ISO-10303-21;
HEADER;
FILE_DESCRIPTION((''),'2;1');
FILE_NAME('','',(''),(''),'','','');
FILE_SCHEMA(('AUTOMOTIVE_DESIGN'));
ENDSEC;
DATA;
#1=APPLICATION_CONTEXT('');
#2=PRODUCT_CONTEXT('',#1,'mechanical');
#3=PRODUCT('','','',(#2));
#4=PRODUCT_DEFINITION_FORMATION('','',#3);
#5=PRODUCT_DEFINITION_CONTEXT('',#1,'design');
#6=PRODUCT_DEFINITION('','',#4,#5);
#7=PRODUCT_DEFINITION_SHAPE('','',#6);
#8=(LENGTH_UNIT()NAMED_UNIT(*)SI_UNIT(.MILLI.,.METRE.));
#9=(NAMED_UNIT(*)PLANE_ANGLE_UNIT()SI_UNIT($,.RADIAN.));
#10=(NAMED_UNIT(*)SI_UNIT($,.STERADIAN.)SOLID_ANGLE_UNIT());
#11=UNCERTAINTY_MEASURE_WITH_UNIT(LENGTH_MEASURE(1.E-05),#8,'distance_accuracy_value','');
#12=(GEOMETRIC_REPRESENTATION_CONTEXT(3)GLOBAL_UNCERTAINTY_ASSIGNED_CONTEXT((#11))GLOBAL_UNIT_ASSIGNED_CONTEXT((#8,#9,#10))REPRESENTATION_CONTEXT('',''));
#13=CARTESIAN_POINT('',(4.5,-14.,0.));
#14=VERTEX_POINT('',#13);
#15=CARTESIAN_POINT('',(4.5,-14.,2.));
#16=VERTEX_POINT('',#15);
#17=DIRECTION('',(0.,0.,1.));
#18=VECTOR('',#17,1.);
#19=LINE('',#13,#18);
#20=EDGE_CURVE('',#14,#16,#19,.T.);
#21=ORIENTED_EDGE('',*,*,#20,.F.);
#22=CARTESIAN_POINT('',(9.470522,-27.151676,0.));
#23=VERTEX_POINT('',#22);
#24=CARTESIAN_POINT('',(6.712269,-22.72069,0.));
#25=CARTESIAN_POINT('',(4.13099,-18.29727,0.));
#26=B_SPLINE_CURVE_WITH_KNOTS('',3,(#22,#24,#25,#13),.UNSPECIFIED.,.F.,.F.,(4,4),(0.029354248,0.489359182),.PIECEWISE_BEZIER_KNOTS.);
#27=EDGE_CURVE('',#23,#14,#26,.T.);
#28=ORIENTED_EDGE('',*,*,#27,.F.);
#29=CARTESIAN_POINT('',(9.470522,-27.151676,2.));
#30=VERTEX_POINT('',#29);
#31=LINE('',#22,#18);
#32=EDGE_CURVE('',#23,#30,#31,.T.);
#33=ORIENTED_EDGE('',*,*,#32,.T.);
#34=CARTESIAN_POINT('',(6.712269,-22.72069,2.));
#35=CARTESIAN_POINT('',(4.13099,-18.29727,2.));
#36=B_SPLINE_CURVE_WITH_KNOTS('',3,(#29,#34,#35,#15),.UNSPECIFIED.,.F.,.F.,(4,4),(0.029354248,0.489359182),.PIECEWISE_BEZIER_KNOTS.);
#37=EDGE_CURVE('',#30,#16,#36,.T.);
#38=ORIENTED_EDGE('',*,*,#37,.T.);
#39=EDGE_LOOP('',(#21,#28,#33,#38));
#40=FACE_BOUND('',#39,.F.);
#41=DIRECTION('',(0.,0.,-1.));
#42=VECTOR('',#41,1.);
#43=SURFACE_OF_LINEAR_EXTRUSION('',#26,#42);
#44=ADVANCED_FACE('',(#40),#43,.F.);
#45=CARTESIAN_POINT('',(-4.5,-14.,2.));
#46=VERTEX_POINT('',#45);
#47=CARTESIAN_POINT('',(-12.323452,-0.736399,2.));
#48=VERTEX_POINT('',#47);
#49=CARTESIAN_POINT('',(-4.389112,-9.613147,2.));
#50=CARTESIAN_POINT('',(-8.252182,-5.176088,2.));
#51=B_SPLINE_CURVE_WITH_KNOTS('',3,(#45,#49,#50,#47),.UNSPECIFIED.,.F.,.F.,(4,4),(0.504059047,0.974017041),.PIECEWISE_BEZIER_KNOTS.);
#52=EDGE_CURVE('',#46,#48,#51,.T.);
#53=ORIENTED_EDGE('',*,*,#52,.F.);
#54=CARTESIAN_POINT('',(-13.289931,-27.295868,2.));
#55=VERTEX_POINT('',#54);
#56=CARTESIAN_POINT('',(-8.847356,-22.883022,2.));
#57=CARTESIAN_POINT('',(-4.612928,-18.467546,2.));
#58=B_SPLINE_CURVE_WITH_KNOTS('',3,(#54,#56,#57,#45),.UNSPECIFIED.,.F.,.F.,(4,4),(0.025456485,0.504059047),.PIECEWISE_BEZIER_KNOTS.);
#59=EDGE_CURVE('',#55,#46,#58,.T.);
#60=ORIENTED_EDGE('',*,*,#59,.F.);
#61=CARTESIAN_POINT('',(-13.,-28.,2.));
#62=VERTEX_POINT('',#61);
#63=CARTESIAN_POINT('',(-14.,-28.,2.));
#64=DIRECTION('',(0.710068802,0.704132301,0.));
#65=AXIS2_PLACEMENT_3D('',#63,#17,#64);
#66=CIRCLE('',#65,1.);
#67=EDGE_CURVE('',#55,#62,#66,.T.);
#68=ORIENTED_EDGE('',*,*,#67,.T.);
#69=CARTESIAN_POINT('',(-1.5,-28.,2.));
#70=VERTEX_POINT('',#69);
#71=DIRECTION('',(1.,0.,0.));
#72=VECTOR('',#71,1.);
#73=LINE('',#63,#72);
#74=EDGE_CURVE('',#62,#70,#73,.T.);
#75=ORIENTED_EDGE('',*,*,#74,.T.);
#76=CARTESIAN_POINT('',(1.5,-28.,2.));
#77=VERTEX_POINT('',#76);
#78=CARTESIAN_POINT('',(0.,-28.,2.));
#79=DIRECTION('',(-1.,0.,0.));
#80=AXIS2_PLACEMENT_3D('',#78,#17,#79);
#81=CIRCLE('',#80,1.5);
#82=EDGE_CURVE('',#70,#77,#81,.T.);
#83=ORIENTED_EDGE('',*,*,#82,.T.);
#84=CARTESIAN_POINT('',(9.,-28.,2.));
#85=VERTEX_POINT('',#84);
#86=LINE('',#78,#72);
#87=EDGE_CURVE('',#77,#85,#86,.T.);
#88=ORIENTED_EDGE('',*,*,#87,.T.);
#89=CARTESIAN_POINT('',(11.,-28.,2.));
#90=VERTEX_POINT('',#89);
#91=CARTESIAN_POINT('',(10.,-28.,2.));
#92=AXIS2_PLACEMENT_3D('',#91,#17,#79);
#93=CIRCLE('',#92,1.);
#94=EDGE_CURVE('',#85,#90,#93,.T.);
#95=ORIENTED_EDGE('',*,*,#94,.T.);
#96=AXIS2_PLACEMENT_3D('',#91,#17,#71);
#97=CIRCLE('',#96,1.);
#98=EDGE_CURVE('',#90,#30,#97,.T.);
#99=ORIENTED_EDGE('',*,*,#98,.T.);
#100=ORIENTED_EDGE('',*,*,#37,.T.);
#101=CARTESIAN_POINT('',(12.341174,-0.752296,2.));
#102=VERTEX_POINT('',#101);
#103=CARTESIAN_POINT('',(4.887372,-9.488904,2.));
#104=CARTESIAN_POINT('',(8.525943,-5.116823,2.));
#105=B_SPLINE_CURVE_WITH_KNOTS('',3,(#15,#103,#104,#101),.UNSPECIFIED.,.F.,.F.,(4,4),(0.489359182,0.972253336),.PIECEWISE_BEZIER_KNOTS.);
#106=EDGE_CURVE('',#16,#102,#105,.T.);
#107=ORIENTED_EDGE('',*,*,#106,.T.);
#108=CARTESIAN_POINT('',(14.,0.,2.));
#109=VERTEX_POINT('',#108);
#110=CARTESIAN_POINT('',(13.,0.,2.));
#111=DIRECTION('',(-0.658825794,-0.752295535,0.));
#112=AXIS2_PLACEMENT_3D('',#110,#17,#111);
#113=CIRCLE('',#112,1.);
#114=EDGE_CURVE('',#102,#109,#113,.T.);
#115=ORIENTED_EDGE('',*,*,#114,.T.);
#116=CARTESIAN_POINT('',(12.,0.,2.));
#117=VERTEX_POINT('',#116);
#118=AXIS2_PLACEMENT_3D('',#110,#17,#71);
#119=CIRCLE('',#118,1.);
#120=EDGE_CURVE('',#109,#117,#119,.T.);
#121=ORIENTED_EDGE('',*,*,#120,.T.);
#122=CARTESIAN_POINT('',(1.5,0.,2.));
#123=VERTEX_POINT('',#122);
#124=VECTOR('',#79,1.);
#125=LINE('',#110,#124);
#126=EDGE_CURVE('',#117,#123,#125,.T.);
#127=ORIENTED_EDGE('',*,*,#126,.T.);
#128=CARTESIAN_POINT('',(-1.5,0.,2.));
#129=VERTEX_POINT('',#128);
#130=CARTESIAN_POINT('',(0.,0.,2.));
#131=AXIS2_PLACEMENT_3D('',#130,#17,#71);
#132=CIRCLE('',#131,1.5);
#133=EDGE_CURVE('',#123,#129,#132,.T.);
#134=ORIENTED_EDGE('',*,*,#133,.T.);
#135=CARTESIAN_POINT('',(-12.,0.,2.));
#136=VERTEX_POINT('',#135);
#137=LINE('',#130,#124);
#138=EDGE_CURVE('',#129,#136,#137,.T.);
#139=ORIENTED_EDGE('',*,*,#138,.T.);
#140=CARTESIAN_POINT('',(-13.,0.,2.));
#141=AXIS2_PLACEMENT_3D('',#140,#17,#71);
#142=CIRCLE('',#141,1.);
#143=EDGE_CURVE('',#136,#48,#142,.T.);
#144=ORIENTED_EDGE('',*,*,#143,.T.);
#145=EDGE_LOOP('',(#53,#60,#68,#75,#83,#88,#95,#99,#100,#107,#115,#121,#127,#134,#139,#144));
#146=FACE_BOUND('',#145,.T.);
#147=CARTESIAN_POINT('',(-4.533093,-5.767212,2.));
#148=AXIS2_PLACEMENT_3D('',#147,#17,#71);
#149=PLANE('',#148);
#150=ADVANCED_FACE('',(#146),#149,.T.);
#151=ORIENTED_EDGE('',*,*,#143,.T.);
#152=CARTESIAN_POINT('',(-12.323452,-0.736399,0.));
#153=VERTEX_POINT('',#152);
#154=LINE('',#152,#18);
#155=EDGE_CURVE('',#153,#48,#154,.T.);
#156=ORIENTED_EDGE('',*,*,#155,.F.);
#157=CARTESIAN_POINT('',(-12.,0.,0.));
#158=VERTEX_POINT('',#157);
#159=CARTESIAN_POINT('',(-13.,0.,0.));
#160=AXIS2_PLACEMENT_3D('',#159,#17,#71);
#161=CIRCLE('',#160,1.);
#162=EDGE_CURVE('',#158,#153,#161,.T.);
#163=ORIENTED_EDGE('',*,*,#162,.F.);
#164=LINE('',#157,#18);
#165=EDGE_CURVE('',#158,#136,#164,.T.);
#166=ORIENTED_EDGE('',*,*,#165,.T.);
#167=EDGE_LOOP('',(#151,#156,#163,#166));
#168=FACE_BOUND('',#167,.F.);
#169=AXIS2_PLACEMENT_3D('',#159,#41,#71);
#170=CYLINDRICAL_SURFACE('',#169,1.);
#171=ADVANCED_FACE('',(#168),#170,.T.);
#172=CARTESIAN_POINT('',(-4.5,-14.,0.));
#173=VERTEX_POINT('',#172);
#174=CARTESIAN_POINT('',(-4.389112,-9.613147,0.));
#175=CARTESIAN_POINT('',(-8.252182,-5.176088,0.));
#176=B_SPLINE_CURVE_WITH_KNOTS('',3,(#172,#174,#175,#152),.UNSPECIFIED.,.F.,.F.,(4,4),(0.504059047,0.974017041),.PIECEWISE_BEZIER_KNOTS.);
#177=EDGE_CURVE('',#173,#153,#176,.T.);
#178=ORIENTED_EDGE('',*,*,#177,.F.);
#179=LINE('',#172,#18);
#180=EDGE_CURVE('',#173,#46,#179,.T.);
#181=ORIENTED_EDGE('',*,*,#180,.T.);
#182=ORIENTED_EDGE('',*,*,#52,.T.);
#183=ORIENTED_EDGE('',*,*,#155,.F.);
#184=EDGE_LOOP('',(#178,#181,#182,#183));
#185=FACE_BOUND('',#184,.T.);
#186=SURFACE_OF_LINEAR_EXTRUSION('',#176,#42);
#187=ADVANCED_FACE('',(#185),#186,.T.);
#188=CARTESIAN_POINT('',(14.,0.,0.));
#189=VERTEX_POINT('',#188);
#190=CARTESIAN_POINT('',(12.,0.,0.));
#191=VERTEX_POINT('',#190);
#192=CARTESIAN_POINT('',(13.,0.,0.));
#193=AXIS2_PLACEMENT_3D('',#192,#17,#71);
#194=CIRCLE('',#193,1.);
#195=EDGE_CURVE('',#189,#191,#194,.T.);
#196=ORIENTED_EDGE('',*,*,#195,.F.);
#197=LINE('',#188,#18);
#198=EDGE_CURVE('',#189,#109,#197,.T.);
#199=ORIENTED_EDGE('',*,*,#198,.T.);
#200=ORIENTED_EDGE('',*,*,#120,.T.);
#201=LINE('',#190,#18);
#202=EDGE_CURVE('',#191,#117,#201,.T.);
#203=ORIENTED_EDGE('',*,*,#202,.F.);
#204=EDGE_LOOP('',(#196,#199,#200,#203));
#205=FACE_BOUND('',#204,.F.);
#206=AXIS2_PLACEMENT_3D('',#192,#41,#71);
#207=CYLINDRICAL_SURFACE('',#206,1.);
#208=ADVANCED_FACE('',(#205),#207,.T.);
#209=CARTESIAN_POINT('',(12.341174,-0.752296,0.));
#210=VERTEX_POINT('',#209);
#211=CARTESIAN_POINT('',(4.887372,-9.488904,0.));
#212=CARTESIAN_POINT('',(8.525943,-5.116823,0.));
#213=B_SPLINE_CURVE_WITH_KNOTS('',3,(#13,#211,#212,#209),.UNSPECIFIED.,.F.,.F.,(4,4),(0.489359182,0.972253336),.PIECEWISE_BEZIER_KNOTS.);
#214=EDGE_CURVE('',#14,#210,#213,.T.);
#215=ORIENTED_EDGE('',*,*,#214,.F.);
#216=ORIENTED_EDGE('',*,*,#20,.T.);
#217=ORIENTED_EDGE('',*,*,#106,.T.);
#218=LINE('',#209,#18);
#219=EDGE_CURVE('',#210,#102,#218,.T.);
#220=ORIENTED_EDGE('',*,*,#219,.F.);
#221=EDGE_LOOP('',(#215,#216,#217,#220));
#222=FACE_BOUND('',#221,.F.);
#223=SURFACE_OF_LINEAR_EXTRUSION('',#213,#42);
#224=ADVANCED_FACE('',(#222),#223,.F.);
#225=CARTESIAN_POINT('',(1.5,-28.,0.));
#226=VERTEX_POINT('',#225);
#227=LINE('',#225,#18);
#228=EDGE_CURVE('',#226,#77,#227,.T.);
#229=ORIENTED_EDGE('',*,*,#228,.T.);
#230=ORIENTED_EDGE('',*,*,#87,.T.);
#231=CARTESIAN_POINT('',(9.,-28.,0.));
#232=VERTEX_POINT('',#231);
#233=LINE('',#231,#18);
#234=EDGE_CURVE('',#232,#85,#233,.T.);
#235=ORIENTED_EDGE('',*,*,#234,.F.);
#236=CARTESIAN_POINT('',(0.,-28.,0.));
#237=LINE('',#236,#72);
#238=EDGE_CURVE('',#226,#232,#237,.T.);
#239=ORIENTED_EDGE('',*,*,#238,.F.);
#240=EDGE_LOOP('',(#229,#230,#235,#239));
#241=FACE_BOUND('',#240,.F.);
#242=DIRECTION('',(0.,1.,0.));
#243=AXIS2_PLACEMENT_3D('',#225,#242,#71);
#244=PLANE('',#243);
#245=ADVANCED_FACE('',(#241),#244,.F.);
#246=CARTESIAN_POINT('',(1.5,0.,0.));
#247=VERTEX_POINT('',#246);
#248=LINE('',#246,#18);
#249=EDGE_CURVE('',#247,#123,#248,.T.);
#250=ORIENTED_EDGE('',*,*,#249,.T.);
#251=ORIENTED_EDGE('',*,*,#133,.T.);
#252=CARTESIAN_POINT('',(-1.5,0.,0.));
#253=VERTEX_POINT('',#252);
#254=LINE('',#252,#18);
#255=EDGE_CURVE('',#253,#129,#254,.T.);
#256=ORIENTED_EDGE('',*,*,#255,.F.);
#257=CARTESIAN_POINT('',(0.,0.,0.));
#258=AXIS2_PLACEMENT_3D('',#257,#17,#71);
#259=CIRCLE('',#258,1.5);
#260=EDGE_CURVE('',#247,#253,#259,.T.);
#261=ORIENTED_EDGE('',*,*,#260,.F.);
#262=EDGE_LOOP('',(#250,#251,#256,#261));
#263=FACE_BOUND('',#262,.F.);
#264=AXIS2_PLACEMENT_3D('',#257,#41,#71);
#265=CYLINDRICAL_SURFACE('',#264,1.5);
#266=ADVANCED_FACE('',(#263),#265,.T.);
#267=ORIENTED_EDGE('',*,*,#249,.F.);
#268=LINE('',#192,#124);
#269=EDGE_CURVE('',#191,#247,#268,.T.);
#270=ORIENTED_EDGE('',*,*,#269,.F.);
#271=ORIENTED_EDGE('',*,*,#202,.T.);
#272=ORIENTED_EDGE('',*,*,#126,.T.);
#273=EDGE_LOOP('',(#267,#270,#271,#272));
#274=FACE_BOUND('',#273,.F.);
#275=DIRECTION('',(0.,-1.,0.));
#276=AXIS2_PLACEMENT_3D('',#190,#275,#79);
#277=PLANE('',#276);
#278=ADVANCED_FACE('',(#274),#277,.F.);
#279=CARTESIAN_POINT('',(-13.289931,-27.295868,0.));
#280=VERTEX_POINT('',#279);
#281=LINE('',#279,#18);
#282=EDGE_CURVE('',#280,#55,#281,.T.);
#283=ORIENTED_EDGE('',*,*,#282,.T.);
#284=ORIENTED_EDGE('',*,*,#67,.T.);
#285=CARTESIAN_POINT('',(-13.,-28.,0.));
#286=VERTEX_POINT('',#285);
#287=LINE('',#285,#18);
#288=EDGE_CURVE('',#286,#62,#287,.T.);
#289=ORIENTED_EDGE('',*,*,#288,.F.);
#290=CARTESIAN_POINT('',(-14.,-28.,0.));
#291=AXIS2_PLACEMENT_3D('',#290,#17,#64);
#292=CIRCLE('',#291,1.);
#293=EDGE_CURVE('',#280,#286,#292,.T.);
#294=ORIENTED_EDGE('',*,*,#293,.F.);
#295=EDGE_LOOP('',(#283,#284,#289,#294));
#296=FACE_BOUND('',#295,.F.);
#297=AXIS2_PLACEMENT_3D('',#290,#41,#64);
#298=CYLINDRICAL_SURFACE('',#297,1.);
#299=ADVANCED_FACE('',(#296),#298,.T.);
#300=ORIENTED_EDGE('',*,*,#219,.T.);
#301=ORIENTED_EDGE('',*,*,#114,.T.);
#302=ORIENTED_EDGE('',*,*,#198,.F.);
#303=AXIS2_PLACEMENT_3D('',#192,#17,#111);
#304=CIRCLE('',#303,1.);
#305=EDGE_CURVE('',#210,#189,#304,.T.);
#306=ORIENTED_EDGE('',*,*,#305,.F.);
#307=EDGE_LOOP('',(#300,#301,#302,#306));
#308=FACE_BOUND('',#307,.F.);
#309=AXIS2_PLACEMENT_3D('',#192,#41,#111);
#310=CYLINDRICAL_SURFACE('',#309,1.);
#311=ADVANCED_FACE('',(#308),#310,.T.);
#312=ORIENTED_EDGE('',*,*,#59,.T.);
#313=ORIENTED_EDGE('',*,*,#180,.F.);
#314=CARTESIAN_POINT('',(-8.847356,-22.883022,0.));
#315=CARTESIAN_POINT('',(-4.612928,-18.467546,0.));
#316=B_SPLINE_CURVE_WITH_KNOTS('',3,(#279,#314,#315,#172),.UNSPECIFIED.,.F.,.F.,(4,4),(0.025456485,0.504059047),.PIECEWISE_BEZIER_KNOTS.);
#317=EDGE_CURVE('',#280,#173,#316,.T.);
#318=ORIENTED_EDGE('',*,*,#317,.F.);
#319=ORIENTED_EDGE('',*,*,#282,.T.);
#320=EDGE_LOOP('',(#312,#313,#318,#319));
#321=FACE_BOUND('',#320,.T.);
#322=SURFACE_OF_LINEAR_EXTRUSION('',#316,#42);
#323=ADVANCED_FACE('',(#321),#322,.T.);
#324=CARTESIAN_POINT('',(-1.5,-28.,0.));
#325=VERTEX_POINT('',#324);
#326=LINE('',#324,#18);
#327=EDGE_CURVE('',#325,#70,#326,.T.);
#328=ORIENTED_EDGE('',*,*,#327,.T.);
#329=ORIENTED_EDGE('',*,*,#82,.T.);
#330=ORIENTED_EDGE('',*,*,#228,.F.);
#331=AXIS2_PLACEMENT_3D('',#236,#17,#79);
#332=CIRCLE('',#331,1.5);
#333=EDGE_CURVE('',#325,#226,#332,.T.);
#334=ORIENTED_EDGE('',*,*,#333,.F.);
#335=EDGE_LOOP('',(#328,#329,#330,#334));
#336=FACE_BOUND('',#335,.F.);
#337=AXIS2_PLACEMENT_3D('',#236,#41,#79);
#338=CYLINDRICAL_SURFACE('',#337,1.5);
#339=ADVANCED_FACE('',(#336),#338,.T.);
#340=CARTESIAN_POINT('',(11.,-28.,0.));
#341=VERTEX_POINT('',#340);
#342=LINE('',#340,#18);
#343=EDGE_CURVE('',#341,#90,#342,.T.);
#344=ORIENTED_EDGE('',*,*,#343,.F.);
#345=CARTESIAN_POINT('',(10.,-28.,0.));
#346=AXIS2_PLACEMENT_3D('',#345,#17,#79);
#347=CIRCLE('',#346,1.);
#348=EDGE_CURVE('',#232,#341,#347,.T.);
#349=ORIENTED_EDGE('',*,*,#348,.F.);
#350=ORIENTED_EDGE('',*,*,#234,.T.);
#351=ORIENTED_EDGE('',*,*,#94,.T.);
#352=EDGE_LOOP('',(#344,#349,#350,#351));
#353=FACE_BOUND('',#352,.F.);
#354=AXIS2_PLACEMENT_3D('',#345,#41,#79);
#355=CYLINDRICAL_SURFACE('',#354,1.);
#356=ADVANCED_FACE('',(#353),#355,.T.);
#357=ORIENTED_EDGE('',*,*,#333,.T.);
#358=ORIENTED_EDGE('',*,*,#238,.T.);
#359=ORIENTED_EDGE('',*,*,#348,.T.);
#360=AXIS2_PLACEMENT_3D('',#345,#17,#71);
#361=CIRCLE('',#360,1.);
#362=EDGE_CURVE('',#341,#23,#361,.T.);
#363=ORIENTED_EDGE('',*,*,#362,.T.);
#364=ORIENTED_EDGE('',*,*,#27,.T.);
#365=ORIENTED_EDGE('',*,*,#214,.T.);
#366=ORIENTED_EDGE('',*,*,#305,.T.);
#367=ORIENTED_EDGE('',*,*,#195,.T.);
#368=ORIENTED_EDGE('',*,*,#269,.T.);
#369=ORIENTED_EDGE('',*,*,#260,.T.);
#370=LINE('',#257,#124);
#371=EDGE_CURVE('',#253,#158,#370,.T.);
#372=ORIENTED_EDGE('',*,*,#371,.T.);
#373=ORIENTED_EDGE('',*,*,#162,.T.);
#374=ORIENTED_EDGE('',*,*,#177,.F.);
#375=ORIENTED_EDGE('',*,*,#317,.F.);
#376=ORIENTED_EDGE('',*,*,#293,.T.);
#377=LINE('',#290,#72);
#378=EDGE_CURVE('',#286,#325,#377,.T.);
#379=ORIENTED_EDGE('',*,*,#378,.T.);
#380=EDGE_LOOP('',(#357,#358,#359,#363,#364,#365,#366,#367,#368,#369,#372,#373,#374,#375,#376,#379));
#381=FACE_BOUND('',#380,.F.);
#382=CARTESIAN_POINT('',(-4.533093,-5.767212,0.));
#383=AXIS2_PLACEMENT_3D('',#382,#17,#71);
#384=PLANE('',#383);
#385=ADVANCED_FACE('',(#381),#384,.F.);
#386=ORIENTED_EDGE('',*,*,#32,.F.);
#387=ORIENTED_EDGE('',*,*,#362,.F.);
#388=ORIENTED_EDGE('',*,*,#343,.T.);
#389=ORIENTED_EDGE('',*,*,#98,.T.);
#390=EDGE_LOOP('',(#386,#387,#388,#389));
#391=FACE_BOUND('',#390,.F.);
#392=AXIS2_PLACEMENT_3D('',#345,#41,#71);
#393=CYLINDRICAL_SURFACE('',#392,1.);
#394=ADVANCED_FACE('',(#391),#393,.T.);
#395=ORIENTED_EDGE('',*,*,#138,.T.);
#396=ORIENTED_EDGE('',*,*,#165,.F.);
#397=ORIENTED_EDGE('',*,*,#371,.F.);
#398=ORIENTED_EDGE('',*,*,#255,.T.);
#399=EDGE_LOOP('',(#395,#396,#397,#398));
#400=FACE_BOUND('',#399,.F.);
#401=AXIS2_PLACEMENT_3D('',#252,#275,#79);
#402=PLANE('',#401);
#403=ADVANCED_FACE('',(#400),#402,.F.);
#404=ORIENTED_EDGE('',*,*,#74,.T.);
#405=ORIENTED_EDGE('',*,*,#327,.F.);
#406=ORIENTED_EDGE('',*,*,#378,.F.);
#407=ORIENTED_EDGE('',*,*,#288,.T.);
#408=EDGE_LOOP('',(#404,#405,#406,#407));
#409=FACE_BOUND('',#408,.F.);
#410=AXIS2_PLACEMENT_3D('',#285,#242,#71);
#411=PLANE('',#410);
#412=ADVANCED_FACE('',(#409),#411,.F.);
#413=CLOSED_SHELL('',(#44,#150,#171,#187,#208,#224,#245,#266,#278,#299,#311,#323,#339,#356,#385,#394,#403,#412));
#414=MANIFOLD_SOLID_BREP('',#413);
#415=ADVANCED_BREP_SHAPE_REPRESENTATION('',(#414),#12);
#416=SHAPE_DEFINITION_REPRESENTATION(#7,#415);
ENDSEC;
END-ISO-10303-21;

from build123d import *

# Parameters (mm, degrees)
F1_DEPTH = 2


with BuildPart() as f1:
    # F0 (on Top) → F1 (new body)
    with BuildSketch(Plane.XY):
        with BuildLine():
            Line((-1.5, 0), (-12, 0))
            ThreePointArc((-12, 0), (-12.0844269539, -0.4021517092), (-12.3234519944, -0.7363985308))
            add(Edge.make_bspline(
                [(-4.5, -14), (-4.3891116577, -9.6131472112), (-8.2521815349, -5.1760880577), (-12.3234519944, -0.7363985308)],
                knots=[0.5040590467, 0.5040590467, 0.5040590467, 0.5040590467, 0.9740170405, 0.9740170405, 0.9740170405, 0.9740170405], degree=3))
            Line((-4.5, -14), (0, -14))
            Line((0, -14), (0, 0))
            Line((0, 0), (-1.5, 0))
        make_face()
        with BuildLine():
            add(Edge.make_bspline(
                [(-12.3234519944, -0.7363985308), (-12.548543719, -0.4909377141), (-12.7742718595, -0.2454688571), (-13, 0)],
                knots=[0.9740170405, 0.9740170405, 0.9740170405, 0.9740170405, 1, 1, 1, 1], degree=3))
            Line((-13, 0), (-12, 0))
            ThreePointArc((-12, 0), (-13.9155730461, 0.4021517092), (-12.3234519944, -0.7363985308))
        make_face()
        with BuildLine():
            Line((-12, 0), (-13, 0))
            add(Edge.make_bspline(
                [(-12.3234519944, -0.7363985308), (-12.548543719, -0.4909377141), (-12.7742718595, -0.2454688571), (-13, 0)],
                knots=[0.9740170405, 0.9740170405, 0.9740170405, 0.9740170405, 1, 1, 1, 1], degree=3))
            ThreePointArc((-12.3234519944, -0.7363985308), (-12.0844269539, -0.4021517092), (-12, 0))
        make_face()
        with BuildLine():
            ThreePointArc((1.5, 0), (0, 1.5), (-1.5, 0))
            Line((-1.5, 0), (0, 0))
            Line((0, 0), (1.5, 0))
        make_face()
        with BuildLine():
            Line((1.5, 0), (0, 0))
            Line((0, 0), (0, -14))
            Line((0, -14), (4.5, -14))
            add(Edge.make_bspline(
                [(4.5, -14), (4.8873717131, -9.4889035195), (8.5259428322, -5.1168226845), (12.3411742057, -0.7522955355)],
                knots=[0.4893591819, 0.4893591819, 0.4893591819, 0.4893591819, 0.9722533362, 0.9722533362, 0.9722533362, 0.9722533362], degree=3))
            ThreePointArc((12.3411742057, -0.7522955355), (12.0892789136, -0.4130219157), (12, 0))
            Line((12, 0), (1.5, 0))
        make_face()
        with BuildLine():
            Line((13, 0), (12, 0))
            ThreePointArc((12, 0), (12.0892789136, -0.4130219157), (12.3411742057, -0.7522955355))
            add(Edge.make_bspline(
                [(12.3411742057, -0.7522955355), (12.5603939689, -0.5015137311), (12.7801969844, -0.2507568656), (13, 0)],
                knots=[0.9722533362, 0.9722533362, 0.9722533362, 0.9722533362, 1, 1, 1, 1], degree=3))
        make_face()
        with BuildLine():
            ThreePointArc((14, 0), (13, 1), (12, 0))
            Line((12, 0), (13, 0))
            add(Edge.make_bspline(
                [(12.3411742057, -0.7522955355), (12.5603939689, -0.5015137311), (12.7801969844, -0.2507568656), (13, 0)],
                knots=[0.9722533362, 0.9722533362, 0.9722533362, 0.9722533362, 1, 1, 1, 1], degree=3))
            ThreePointArc((12.3411742057, -0.7522955355), (13.4130219157, -0.9107210864), (14, 0))
        make_face()
        with BuildLine():
            ThreePointArc((11, -28), (10.4850372943, -27.1255065334), (9.4705223537, -27.1516761102))
            add(Edge.make_bspline(
                [(10, -28), (9.8232672343, -27.7172150988), (9.6465344686, -27.4344301976), (9.4705223537, -27.1516761102)],
                knots=[0, 0, 0, 0, 0.0293542477, 0.0293542477, 0.0293542477, 0.0293542477], degree=3))
            Line((10, -28), (9, -28))
            ThreePointArc((9, -28), (10, -29), (11, -28))
        make_face()
        with BuildLine():
            add(Edge.make_bspline(
                [(10, -28), (9.8232672343, -27.7172150988), (9.6465344686, -27.4344301976), (9.4705223537, -27.1516761102)],
                knots=[0, 0, 0, 0, 0.0293542477, 0.0293542477, 0.0293542477, 0.0293542477], degree=3))
            ThreePointArc((9.4705223537, -27.1516761102), (9.1255065334, -27.5149627057), (9, -28))
            Line((9, -28), (10, -28))
        make_face()
        with BuildLine():
            Line((4.5, -14), (0, -14))
            Line((0, -14), (0, -28))
            Line((0, -28), (1.5, -28))
            Line((1.5, -28), (9, -28))
            ThreePointArc((9, -28), (9.1255065334, -27.5149627057), (9.4705223537, -27.1516761102))
            add(Edge.make_bspline(
                [(9.4705223537, -27.1516761102), (6.7122693633, -22.7206895986), (4.1309897359, -18.2972701609), (4.5, -14)],
                knots=[0.0293542477, 0.0293542477, 0.0293542477, 0.0293542477, 0.4893591819, 0.4893591819, 0.4893591819, 0.4893591819], degree=3))
        make_face()
        with BuildLine():
            Line((1.5, -28), (0, -28))
            Line((0, -28), (-1.5, -28))
            ThreePointArc((-1.5, -28), (0, -29.5), (1.5, -28))
        make_face()
        with BuildLine():
            Line((0, -14), (-4.5, -14))
            add(Edge.make_bspline(
                [(-13.2899311985, -27.2958676991), (-8.8473556209, -22.8830217317), (-4.6129280602, -18.4675460549), (-4.5, -14)],
                knots=[0.0254564852, 0.0254564852, 0.0254564852, 0.0254564852, 0.5040590467, 0.5040590467, 0.5040590467, 0.5040590467], degree=3))
            ThreePointArc((-13.2899311985, -27.2958676991), (-13.0753192979, -27.6192565178), (-13, -28))
            Line((-13, -28), (-1.5, -28))
            Line((-1.5, -28), (0, -28))
            Line((0, -28), (0, -14))
        make_face()
        with BuildLine():
            ThreePointArc((-13, -28), (-13.0753192979, -27.6192565178), (-13.2899311985, -27.2958676991))
            add(Edge.make_bspline(
                [(-14, -28), (-13.7631141096, -27.7652917129), (-13.5262282193, -27.5305834259), (-13.2899311985, -27.2958676991)],
                knots=[0, 0, 0, 0, 0.0254564852, 0.0254564852, 0.0254564852, 0.0254564852], degree=3))
            Line((-14, -28), (-13, -28))
        make_face()
        with BuildLine():
            add(Edge.make_bspline(
                [(-14, -28), (-13.7631141096, -27.7652917129), (-13.5262282193, -27.5305834259), (-13.2899311985, -27.2958676991)],
                knots=[0, 0, 0, 0, 0.0254564852, 0.0254564852, 0.0254564852, 0.0254564852], degree=3))
            ThreePointArc((-13.2899311985, -27.2958676991), (-14.9246807021, -28.3807434822), (-13, -28))
            Line((-13, -28), (-14, -28))
        make_face()
    extrude(amount=F1_DEPTH)


solid = f1.part
